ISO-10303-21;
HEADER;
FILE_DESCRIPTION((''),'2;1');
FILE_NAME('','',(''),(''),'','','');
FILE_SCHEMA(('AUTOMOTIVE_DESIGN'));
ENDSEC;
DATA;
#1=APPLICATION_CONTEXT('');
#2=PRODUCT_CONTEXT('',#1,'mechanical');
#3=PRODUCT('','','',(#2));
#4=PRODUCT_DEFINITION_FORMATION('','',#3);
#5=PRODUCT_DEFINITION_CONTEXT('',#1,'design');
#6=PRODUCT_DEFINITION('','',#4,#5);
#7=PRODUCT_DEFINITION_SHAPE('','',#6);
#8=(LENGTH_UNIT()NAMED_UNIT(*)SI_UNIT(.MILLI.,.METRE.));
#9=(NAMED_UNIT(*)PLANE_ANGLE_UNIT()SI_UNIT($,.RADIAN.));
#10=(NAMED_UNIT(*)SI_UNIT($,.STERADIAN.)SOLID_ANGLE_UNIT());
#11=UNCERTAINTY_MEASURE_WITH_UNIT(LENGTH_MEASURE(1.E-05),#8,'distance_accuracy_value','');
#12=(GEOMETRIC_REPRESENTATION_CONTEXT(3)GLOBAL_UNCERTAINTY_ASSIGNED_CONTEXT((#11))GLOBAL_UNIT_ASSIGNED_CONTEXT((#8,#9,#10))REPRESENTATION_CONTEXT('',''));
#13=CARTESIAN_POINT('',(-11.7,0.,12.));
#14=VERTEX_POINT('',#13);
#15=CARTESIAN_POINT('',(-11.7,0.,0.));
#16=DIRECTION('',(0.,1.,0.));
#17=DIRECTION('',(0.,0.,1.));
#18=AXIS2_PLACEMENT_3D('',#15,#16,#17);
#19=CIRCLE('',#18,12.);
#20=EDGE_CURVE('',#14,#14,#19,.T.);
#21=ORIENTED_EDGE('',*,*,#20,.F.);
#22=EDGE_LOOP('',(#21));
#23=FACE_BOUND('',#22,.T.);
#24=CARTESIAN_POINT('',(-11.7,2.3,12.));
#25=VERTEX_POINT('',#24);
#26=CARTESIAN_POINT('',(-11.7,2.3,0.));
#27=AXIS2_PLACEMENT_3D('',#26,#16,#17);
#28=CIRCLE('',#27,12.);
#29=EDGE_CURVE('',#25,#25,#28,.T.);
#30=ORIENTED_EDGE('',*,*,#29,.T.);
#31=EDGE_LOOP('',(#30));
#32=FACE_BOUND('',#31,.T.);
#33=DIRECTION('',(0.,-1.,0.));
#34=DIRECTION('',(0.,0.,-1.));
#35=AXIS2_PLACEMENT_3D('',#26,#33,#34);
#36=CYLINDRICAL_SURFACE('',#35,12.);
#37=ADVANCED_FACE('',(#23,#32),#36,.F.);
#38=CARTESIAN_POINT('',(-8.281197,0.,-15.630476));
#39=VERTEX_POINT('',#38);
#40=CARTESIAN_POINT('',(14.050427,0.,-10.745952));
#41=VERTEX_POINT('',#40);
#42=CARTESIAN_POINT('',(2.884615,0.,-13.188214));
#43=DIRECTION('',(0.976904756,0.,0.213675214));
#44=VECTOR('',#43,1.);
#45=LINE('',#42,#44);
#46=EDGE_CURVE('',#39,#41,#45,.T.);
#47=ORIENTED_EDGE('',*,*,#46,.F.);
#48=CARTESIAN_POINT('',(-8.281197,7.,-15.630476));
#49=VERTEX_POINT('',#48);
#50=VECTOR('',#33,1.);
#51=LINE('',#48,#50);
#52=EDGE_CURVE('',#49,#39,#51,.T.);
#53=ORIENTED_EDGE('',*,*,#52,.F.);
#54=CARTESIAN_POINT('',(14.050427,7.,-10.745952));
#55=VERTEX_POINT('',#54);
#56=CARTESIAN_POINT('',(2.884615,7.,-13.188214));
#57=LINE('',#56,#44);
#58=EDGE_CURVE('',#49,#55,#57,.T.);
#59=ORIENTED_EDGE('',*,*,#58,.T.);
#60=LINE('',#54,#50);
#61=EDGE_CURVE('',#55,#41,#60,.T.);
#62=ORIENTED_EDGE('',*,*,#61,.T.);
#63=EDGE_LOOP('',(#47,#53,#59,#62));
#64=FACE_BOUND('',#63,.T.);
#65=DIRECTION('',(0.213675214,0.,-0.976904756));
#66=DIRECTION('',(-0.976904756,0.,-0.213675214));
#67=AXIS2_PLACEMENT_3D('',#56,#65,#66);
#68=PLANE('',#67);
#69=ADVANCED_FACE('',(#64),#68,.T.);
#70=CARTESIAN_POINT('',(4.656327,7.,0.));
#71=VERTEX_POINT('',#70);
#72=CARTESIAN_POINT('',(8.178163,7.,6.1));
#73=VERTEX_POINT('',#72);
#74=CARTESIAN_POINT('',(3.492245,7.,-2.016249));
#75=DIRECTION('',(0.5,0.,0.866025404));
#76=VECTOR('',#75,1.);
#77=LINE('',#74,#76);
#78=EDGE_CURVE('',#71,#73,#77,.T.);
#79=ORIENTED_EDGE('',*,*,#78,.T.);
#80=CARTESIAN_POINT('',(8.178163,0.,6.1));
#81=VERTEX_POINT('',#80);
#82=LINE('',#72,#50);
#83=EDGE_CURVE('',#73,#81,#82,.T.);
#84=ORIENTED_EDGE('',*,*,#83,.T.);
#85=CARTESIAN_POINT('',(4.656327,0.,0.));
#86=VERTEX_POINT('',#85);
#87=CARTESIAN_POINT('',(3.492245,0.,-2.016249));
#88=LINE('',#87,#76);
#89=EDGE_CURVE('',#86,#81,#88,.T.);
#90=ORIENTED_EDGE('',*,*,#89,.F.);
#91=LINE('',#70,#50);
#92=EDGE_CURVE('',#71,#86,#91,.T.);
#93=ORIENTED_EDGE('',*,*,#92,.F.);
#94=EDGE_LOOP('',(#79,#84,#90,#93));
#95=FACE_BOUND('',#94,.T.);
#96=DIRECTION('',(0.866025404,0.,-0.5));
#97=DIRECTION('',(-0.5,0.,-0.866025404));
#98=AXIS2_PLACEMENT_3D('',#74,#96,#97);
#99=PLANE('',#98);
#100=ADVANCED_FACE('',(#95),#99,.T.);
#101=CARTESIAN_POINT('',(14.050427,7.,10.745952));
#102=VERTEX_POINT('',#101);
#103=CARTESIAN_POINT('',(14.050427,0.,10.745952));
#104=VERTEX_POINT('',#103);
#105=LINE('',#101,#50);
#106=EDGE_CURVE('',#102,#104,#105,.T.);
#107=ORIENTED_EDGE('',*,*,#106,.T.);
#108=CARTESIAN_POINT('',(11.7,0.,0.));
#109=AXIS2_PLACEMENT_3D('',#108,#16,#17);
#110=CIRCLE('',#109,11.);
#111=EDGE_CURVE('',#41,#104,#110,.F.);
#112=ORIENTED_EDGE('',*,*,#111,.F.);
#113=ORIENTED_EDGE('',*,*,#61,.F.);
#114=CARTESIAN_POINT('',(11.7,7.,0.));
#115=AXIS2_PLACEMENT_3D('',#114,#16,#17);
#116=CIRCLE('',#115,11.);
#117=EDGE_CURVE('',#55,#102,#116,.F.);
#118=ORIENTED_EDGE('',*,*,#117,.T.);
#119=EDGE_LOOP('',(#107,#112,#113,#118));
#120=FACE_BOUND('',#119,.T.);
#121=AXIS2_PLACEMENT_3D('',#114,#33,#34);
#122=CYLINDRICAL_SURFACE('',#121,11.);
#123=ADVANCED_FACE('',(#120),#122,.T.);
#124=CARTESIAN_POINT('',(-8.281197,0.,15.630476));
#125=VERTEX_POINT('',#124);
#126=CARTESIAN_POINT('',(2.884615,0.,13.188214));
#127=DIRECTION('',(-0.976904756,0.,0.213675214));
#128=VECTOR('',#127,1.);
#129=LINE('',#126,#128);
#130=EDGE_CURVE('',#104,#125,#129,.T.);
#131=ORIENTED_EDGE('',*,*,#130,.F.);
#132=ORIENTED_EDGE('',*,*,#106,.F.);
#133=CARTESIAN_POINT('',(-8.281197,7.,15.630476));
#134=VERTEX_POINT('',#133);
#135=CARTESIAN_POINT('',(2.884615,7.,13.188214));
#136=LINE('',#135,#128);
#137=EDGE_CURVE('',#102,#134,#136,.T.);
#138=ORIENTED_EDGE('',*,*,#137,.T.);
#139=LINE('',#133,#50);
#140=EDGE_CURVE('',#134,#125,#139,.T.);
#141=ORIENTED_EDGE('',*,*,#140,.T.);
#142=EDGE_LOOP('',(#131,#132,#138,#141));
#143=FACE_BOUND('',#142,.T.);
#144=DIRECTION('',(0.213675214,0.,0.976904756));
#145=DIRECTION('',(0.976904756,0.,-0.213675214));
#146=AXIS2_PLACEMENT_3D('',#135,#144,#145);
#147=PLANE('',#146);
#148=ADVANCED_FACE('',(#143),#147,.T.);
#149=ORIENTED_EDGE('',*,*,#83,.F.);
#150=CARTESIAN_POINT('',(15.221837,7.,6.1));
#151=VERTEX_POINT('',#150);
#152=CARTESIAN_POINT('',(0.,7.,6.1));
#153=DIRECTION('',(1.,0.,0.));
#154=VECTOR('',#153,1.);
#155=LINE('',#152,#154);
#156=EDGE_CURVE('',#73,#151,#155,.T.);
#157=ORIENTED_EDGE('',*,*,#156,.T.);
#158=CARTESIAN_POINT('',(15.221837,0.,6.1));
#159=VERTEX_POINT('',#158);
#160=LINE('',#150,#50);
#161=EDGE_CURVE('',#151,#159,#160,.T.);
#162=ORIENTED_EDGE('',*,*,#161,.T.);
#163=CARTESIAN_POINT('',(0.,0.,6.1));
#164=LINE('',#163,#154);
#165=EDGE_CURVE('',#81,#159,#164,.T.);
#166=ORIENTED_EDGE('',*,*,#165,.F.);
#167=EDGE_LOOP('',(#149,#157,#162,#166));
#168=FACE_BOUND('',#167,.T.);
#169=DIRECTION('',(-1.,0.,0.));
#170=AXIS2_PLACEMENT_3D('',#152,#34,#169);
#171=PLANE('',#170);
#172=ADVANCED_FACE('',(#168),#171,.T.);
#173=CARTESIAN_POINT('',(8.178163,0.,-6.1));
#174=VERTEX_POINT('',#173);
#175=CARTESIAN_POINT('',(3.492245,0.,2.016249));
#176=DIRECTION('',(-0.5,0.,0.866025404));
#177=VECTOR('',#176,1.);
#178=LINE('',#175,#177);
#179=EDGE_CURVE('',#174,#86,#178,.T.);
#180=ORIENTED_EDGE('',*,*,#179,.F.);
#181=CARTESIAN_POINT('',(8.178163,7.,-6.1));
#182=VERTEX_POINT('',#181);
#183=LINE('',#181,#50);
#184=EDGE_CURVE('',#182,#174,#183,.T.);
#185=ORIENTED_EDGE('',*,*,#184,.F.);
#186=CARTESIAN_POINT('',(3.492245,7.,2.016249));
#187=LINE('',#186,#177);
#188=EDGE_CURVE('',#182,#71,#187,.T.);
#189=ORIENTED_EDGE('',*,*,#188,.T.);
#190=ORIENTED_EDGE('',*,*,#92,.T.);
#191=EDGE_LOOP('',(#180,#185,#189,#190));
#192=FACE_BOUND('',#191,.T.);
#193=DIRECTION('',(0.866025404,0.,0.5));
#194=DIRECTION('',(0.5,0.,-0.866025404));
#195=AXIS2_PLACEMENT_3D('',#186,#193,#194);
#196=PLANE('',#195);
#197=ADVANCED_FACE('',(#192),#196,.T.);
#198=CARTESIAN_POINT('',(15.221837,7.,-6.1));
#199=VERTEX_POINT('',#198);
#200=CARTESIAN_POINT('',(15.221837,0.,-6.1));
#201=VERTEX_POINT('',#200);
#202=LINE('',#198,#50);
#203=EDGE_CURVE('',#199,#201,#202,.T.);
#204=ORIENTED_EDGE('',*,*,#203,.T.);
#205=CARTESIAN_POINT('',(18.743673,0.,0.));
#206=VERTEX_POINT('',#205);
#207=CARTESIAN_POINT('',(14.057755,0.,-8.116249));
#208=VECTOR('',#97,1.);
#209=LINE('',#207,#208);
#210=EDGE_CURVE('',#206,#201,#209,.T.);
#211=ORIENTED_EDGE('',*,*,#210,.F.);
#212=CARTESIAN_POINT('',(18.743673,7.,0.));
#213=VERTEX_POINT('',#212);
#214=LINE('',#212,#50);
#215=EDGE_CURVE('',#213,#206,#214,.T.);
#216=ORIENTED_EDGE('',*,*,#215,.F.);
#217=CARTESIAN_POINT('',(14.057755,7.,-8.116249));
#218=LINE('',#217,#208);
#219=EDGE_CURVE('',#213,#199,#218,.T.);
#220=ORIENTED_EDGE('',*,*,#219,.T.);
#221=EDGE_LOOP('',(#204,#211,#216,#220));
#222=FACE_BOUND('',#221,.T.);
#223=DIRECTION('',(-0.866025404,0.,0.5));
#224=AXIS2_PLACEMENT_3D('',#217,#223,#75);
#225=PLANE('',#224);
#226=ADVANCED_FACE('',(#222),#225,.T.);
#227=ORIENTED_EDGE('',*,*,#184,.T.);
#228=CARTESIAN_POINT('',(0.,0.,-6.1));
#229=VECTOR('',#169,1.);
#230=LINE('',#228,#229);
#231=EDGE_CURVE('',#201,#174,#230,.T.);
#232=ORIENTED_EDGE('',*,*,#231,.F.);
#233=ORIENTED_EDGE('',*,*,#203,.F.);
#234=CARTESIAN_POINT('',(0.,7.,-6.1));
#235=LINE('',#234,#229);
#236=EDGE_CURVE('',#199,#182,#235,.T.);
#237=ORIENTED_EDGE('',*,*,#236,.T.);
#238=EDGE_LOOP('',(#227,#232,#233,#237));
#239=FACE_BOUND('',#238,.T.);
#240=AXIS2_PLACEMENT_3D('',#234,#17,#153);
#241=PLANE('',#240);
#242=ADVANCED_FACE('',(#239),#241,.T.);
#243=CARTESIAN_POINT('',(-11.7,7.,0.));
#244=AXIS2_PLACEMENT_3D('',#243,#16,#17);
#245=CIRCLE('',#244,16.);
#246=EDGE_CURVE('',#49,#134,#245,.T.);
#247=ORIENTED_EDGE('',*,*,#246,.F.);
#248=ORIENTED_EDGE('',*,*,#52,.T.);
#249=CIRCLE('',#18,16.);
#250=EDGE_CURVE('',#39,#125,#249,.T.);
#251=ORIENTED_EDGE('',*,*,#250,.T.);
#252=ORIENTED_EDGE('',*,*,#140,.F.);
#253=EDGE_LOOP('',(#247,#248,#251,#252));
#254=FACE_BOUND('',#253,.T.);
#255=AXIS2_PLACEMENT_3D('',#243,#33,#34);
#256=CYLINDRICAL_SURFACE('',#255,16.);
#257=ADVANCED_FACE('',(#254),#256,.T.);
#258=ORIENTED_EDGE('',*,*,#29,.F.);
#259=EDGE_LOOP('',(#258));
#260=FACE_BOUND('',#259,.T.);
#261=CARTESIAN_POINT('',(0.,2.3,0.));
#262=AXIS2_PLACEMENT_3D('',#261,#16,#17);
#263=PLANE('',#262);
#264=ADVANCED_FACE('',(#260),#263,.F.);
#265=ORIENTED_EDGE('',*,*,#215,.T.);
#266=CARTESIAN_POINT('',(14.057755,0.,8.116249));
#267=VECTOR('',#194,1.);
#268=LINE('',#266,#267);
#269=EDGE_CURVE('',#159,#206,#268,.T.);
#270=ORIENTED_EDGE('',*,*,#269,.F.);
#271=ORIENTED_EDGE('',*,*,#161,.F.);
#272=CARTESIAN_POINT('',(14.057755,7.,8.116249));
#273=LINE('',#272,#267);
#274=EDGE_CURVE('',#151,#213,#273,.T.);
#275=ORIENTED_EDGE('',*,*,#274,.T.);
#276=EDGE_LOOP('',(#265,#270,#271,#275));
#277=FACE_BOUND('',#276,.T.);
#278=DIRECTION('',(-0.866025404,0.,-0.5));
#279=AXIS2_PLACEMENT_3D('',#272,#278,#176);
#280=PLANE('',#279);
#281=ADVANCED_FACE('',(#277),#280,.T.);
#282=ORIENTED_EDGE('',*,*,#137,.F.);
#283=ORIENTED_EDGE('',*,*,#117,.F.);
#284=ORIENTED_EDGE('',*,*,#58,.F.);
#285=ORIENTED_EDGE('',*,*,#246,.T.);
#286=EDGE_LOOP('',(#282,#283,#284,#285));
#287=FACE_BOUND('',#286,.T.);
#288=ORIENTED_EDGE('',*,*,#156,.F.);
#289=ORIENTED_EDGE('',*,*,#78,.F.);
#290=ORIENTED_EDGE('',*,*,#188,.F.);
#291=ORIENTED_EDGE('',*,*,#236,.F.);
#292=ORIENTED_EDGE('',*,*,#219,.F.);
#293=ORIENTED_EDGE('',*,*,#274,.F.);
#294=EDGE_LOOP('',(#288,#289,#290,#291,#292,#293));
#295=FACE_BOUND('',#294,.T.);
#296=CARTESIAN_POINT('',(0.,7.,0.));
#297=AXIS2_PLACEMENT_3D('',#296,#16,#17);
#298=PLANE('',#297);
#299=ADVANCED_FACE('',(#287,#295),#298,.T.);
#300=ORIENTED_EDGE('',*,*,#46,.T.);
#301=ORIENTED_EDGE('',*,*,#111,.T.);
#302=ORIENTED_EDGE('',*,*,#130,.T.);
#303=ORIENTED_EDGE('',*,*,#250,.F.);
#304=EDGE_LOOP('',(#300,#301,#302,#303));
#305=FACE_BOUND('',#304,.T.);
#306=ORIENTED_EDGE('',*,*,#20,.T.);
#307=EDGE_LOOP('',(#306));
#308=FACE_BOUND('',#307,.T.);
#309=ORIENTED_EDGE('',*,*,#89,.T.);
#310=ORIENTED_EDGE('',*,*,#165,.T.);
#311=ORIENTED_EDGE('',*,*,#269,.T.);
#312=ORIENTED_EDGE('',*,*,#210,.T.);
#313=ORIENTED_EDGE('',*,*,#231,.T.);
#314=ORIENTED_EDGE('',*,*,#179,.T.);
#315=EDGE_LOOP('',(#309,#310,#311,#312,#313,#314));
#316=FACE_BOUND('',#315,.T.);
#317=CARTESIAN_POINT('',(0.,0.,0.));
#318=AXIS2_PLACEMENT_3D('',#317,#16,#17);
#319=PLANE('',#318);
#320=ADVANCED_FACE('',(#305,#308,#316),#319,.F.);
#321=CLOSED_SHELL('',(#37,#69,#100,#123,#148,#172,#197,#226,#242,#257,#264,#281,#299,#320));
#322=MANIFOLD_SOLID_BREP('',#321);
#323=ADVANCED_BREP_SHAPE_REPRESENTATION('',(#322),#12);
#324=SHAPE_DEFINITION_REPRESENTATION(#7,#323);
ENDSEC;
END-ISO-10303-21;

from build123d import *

# Parameters (mm, degrees)
SKETCH1_R           = 12
BOSS_EXTRUDE1_DEPTH = 7
SKETCH1_4_R         = 12
CUT_EXTRUDE1_DEPTH  = 2.3


with BuildPart() as part:
    # Sketch1 → Boss-Extrude1 (new body)
    with BuildSketch(Plane(origin=(0, 0, 0), x_dir=(1, 0, 0), z_dir=(0, 1, 0))):
        with BuildLine():
            ThreePointArc((14.05042735, 10.74595232), (22.7, 0), (14.05042735, -10.74595232))
            Line((14.05042735, -10.74595232), (-8.281196581, -15.630476102))
            ThreePointArc((-8.281196581, -15.630476102), (-27.7, 0), (-8.281196581, 15.630476102))
            Line((-8.281196581, 15.630476102), (14.05042735, 10.74595232))
        make_face()
        with Locations((-11.7, 0)):
            Circle(SKETCH1_R, mode=Mode.SUBTRACT)
        Polygon((15.221836642, -6.1), (18.743673284, 0), (15.221836642, 6.1), (8.178163358, 6.1), (4.656326716, 0), (8.178163358, -6.1), align=None, mode=Mode.SUBTRACT)
        with Locations((-11.7, 0)):
            Circle(SKETCH1_R)
    extrude(amount=BOSS_EXTRUDE1_DEPTH)

    # Sketch1_4 → Cut-Extrude1 (cut)
    with BuildSketch(Plane(origin=(0, 0, 0), x_dir=(1, 0, 0), z_dir=(0, 1, 0))):
        with Locations(Location((-11.7, 0, 0), (0, 0, 270))):  # turned: the seam where the file's is
            Circle(SKETCH1_4_R)
    extrude(amount=CUT_EXTRUDE1_DEPTH, mode=Mode.SUBTRACT)


solid = part.part
